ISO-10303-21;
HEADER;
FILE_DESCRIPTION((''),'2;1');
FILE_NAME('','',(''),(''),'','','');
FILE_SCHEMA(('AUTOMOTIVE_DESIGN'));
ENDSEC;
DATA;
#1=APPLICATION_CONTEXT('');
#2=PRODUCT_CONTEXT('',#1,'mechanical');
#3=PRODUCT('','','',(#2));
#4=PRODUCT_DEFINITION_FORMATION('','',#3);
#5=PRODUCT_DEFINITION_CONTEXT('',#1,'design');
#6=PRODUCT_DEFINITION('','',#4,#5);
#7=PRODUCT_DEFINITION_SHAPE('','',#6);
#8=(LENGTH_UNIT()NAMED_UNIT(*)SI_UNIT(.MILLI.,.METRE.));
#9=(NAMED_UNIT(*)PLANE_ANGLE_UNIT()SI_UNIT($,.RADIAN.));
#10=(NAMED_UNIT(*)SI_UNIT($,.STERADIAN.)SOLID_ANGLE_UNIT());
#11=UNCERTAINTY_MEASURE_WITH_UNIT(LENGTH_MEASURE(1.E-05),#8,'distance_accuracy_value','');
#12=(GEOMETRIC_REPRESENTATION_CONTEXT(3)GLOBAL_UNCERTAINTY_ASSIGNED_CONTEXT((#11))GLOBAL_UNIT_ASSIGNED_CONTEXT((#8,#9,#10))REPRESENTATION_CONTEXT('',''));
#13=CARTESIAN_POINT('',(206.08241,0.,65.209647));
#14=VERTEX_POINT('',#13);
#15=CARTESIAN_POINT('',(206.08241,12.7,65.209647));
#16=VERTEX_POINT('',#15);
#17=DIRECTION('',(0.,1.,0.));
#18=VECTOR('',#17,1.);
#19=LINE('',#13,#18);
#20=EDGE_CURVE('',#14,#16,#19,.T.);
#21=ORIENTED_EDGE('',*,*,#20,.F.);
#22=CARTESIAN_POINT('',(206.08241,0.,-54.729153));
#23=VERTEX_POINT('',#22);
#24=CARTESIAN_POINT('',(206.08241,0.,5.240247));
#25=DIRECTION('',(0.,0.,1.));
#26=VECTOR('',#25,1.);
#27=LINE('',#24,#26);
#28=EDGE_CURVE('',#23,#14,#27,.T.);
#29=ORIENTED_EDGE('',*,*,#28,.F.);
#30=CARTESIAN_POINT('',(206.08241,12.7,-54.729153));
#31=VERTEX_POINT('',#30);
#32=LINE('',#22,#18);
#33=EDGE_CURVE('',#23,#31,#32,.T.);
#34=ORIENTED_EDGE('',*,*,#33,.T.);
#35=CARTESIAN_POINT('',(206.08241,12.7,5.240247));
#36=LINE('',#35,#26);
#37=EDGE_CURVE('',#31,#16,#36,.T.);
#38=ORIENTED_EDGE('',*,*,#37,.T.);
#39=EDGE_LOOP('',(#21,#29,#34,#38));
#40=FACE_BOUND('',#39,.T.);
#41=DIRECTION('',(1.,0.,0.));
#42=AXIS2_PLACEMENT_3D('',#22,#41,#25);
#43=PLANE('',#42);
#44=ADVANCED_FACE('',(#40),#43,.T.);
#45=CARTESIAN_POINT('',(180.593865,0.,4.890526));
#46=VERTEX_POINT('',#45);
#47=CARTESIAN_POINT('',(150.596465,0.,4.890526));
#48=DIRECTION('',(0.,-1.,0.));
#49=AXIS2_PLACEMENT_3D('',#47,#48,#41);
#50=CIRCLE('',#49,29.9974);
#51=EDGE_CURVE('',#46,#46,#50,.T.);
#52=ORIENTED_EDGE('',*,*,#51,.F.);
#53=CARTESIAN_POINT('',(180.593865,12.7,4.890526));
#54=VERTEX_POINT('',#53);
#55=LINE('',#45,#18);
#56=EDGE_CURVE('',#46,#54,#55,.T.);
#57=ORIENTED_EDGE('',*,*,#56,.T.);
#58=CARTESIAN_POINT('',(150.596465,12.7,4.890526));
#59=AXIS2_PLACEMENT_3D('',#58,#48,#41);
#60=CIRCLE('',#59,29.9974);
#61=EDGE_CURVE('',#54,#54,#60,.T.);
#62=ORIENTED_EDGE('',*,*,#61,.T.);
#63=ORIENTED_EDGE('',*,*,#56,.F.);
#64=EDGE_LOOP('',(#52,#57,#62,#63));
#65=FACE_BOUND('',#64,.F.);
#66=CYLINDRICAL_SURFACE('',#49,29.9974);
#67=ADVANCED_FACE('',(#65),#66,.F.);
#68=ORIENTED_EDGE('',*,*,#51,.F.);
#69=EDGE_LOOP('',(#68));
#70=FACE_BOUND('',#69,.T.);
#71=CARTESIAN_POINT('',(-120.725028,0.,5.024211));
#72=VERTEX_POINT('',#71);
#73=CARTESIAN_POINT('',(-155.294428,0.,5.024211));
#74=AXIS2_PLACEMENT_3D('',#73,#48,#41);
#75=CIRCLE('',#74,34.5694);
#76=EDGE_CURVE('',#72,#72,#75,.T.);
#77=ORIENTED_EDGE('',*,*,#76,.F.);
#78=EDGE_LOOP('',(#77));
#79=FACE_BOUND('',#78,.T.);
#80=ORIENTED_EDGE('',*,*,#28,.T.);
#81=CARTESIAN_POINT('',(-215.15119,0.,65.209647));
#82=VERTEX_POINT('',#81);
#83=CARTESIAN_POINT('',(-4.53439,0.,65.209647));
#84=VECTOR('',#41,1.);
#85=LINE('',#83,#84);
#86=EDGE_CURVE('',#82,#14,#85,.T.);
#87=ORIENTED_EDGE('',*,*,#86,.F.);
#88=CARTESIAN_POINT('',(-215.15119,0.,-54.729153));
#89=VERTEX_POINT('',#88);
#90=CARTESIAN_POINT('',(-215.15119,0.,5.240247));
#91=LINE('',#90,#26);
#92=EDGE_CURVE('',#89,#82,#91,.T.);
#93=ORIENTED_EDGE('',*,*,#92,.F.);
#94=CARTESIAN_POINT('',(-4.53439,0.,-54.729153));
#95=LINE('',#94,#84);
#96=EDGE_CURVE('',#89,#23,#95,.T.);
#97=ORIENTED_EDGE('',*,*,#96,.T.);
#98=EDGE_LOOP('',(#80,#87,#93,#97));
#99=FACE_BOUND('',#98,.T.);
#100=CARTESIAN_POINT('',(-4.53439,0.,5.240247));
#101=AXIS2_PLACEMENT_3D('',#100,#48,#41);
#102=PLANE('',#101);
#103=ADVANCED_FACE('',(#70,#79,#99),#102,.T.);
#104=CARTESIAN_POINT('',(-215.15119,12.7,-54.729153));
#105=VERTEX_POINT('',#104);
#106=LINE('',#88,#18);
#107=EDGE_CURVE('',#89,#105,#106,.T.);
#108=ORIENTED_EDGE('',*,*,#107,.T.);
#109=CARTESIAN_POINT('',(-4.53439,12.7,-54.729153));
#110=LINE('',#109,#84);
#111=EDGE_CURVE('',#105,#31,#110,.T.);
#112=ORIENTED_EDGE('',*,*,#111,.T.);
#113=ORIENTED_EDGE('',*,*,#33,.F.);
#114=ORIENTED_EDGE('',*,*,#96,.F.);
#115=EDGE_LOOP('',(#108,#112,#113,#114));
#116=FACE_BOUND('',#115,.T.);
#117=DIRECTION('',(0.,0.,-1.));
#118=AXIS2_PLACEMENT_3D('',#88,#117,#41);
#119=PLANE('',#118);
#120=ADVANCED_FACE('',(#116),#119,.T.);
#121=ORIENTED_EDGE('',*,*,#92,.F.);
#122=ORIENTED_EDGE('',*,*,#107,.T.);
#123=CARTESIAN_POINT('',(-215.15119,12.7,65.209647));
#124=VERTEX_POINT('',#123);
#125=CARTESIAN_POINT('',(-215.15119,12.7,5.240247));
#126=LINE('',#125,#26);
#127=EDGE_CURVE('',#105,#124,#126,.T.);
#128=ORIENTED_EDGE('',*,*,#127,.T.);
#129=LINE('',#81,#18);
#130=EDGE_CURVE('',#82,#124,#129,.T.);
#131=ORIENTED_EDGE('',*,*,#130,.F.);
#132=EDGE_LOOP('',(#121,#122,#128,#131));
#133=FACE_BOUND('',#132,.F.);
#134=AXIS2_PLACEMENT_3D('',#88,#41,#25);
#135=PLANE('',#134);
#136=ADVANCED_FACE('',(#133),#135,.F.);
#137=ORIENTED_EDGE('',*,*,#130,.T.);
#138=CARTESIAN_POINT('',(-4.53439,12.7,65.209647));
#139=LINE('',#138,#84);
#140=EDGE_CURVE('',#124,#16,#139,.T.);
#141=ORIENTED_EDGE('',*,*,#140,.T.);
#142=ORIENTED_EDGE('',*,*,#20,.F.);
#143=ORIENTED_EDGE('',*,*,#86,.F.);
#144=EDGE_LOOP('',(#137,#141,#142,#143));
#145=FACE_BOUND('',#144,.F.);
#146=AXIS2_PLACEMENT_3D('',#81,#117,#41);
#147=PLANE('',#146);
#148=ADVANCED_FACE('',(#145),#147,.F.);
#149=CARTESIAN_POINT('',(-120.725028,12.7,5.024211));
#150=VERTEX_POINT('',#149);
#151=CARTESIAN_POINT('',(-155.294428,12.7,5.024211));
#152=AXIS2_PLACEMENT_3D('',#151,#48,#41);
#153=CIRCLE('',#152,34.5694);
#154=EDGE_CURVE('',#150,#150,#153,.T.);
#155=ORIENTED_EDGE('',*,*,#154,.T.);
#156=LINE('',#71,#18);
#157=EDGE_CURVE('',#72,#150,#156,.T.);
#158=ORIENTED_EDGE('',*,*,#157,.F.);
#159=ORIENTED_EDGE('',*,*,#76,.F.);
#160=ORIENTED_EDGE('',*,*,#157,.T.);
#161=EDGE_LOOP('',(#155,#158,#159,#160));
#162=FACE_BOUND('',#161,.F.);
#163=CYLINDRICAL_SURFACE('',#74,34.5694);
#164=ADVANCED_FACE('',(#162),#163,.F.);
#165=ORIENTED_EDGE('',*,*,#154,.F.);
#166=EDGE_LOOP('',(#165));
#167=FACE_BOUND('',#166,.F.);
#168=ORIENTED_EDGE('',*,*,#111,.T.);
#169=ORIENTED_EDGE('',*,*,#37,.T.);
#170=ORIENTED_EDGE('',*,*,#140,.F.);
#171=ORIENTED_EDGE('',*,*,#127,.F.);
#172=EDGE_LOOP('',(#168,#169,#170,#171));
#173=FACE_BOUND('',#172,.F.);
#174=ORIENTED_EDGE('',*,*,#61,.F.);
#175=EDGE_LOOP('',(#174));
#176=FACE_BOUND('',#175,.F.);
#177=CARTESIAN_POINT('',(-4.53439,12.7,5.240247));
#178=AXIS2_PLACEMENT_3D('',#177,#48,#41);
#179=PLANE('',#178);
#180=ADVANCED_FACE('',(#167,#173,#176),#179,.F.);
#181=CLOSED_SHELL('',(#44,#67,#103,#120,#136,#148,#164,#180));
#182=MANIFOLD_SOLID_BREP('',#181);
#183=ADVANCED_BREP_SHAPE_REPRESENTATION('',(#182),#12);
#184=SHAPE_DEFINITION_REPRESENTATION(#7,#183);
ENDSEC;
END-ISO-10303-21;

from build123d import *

# Parameters (mm, degrees)
F0_W     = 421.2336
F0_H     = 119.9388
F0_R     = 34.5694
F0_R_2   = 29.9974
F1_DEPTH = 12.7


with BuildPart() as f1:
    # F0 (on Front) → F1 (new body)
    with BuildSketch(Plane.XZ):
        with Locations((-4.53439, 5.240247)):
            Rectangle(F0_W, F0_H)
        with Locations((-155.294428, 5.024211)):
            Circle(F0_R, mode=Mode.SUBTRACT)
        with Locations((150.596465, 4.890526)):
            Circle(F0_R_2, mode=Mode.SUBTRACT)
    extrude(amount=-F1_DEPTH)


solid = f1.part
